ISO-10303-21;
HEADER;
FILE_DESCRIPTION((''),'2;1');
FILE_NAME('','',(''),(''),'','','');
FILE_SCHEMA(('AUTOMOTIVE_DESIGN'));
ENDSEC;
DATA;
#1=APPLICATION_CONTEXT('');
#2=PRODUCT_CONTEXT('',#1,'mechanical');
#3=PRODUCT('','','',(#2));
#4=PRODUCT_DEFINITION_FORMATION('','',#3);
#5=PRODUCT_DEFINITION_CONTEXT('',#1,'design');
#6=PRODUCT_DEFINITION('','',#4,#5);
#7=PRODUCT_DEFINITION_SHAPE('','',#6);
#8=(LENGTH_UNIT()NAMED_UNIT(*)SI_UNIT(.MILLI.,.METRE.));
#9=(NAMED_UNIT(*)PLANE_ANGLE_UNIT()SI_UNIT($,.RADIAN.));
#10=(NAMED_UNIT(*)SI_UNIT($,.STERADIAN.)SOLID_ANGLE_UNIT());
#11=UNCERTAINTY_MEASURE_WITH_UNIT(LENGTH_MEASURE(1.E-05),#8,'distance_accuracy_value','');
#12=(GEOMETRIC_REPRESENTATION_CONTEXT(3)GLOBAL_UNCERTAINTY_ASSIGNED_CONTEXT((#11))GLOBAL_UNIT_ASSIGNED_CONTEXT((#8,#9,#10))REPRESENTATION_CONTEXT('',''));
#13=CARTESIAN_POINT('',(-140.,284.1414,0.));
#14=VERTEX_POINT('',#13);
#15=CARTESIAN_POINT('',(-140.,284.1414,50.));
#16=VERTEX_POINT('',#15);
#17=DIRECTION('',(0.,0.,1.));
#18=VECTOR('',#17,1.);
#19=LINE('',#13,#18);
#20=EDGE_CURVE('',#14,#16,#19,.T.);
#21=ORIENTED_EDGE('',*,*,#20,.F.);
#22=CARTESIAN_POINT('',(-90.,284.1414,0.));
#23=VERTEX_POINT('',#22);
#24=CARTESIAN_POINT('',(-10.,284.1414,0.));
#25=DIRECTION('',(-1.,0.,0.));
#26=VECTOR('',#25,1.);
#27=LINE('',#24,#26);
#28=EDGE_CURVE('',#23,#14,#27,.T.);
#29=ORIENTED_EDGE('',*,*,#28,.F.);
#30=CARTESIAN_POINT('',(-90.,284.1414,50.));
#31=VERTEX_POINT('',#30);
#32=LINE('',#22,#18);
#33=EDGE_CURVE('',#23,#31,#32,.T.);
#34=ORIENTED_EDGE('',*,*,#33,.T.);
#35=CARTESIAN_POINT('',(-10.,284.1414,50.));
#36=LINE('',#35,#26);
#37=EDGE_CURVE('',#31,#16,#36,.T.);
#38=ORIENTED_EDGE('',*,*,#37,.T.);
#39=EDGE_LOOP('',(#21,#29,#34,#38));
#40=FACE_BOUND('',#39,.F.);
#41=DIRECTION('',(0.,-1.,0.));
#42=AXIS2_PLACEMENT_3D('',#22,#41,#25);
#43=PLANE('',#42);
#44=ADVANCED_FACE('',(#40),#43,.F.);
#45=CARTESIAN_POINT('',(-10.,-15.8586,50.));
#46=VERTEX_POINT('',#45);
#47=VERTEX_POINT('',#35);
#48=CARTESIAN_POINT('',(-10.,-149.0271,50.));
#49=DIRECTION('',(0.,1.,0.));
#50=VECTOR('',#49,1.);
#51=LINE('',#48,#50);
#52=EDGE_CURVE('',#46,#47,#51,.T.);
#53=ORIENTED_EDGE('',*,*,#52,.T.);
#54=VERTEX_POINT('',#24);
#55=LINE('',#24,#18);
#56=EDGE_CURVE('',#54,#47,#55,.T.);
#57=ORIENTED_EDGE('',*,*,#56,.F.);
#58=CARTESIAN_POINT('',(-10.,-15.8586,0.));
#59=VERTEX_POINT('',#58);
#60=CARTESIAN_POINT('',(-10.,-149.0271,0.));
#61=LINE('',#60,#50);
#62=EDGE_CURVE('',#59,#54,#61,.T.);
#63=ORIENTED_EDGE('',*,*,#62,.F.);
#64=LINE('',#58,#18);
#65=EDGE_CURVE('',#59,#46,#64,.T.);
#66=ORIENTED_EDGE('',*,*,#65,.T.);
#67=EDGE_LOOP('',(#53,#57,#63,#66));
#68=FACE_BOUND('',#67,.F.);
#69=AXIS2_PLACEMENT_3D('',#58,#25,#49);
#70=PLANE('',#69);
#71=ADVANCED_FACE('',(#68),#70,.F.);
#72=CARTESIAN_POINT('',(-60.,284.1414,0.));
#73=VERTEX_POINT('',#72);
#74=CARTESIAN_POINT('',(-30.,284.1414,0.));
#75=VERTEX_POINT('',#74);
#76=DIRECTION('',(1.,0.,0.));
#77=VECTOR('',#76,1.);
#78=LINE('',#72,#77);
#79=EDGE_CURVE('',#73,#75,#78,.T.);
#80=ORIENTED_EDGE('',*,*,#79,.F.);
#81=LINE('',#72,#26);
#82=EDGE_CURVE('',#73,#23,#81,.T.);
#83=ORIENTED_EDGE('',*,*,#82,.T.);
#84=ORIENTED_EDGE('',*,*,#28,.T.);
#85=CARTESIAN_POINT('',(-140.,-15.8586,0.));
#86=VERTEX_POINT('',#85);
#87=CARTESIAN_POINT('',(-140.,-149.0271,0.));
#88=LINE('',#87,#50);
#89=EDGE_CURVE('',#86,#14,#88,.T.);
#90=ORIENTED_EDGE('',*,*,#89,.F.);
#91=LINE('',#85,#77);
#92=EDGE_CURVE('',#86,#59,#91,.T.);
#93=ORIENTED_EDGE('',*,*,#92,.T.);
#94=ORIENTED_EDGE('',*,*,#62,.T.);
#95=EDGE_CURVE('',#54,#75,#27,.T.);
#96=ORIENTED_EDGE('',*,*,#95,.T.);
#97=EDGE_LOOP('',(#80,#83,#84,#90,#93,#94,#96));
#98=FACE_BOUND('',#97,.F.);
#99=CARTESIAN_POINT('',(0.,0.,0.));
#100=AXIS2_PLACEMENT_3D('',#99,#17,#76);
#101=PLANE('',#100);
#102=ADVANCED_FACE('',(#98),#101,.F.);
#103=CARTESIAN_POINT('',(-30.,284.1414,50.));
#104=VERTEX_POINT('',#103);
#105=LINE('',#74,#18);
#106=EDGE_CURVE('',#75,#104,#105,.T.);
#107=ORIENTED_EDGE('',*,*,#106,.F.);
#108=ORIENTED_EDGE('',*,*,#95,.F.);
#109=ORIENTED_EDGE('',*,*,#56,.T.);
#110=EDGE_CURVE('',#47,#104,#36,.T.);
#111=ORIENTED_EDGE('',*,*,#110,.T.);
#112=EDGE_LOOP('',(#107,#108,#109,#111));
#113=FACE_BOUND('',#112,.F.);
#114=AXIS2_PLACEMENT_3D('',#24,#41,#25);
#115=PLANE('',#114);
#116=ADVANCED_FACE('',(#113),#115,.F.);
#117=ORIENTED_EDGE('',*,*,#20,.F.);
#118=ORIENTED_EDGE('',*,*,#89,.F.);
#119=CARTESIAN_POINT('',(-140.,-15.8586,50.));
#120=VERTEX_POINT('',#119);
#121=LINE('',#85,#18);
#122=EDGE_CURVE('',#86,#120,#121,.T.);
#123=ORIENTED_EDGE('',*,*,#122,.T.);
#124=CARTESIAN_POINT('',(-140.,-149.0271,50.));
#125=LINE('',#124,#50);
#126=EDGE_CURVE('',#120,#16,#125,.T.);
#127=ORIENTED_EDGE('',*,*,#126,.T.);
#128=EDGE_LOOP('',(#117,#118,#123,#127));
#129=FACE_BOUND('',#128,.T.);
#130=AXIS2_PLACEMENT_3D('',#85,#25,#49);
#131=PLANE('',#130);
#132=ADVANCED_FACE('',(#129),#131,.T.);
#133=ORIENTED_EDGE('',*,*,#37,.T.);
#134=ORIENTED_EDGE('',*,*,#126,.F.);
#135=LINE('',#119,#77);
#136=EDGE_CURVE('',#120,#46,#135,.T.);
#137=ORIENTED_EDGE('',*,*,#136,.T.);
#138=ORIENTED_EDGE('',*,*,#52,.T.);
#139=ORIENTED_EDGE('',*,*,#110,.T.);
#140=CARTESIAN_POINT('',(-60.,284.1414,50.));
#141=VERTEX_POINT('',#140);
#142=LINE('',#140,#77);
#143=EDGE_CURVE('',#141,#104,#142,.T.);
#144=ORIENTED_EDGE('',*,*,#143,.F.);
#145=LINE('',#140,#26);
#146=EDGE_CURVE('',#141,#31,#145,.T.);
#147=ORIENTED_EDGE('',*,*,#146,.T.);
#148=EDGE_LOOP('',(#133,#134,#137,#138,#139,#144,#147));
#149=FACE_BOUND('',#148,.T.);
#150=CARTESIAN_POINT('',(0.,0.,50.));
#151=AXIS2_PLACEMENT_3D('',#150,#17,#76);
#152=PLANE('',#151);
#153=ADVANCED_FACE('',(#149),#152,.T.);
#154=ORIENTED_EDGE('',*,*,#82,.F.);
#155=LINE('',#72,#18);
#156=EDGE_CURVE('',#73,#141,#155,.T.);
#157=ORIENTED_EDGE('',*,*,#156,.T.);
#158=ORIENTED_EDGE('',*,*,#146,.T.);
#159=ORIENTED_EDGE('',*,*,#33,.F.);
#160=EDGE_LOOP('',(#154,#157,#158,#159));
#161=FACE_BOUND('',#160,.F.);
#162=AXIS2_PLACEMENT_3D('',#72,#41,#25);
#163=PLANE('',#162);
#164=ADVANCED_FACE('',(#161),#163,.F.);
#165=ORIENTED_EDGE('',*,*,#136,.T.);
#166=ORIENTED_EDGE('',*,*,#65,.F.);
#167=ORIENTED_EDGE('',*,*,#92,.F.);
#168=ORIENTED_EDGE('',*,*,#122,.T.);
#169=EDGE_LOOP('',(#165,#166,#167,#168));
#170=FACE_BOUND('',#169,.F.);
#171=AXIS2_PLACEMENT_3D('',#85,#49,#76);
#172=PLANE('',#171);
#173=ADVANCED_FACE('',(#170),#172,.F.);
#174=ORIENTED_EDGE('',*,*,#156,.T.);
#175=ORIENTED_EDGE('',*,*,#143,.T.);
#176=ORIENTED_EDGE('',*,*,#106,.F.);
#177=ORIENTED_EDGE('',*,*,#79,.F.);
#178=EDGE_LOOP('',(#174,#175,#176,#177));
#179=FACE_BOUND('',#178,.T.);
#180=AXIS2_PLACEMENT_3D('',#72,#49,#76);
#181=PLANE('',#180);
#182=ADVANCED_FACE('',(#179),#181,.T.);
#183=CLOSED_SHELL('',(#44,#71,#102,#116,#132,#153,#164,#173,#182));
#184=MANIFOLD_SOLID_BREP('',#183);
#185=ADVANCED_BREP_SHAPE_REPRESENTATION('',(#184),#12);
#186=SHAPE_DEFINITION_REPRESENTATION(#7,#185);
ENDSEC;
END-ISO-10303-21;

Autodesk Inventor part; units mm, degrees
ref_plane "YZ Plane" through (0, 0, 0) normal (1, 0, 0) x (0, 1, 0)
ref_plane "XZ Plane" through (0, 0, 0) normal (0, 1, 0) x (-1, 0, 0)
ref_plane "XY Plane" through (0, 0, 0) normal (0, 0, 1) x (1, 0, 0)
ref_plane "Work Plane1" through (0, 0, 0) normal (0, 0, 1) x (1, 0, 0)
sketch "Sketch1" plane through (0, 0, 0) normal (0, 0, 1) x (1, 0, 0)
  line L0 (-60, 284.1414) -> (-30, 284.1414) projected
  line L1 (-10, -149.0271) -> (-140, -149.0271) projected
  line L2 (-10, -149.0271) -> (-10, 350) projected
  spline S0 degree 3 poles (-55.3463, 478.2829) (-54.4199, 477.2402) (-53.5281, 476.1834) (-41.973, 461.9491) (-29.8681, 440.3891) (-13.701, 393.2059) (-10, 371.2252) (-10, 350) knots -13.956375 -13.956375 -13.956375 -13.956375 -13.398469 -13.398469 -6.367551 -6.367551 0 0 0 0 projected
  line L3 (-55.3463, 478.2829) -> (-94.6537, 478.2829) projected
  spline S1 degree 3 poles (-140, 350) (-140, 366.1219) (-137.8703, 382.0269) (-130.4211, 411.7266) (-125.3688, 425.7323) (-111.9139, 454.5302) (-103.4651, 468.0052) (-95.3677, 477.4713) (-95.011, 477.8807) (-94.6537, 478.2829) knots -5.300276 -5.300276 -5.300276 -5.300276 -3.93351 -3.93351 -2.695997 -2.695997 -1.209053 -1.209053 -1.140685 -1.140685 -1.140685 -1.140685 projected
  line L4 (-140, -149.0271) -> (-140, 350) projected
  line L5 (-60, 284.1414) -> (-90, 284.1414) projected
  line L6 (-10, 284.1414) -> (-140, 284.1414)
  line L7 (-140, 284.1414) -> (-140, -15.8586)
  line L8 (-140, -15.8586) -> (-10, -15.8586)
  line L9 (-10, -15.8586) -> (-10, 284.1414)
  point P0 (0, 0)
  point P1 (-10, -15.8586)
  dimension "d0" = 300
extrude "Extrusion1" add sketch "Sketch1" along normal blind 50 contours L0 L6 L2 L8 L4 L5
properties part number "Battery"
